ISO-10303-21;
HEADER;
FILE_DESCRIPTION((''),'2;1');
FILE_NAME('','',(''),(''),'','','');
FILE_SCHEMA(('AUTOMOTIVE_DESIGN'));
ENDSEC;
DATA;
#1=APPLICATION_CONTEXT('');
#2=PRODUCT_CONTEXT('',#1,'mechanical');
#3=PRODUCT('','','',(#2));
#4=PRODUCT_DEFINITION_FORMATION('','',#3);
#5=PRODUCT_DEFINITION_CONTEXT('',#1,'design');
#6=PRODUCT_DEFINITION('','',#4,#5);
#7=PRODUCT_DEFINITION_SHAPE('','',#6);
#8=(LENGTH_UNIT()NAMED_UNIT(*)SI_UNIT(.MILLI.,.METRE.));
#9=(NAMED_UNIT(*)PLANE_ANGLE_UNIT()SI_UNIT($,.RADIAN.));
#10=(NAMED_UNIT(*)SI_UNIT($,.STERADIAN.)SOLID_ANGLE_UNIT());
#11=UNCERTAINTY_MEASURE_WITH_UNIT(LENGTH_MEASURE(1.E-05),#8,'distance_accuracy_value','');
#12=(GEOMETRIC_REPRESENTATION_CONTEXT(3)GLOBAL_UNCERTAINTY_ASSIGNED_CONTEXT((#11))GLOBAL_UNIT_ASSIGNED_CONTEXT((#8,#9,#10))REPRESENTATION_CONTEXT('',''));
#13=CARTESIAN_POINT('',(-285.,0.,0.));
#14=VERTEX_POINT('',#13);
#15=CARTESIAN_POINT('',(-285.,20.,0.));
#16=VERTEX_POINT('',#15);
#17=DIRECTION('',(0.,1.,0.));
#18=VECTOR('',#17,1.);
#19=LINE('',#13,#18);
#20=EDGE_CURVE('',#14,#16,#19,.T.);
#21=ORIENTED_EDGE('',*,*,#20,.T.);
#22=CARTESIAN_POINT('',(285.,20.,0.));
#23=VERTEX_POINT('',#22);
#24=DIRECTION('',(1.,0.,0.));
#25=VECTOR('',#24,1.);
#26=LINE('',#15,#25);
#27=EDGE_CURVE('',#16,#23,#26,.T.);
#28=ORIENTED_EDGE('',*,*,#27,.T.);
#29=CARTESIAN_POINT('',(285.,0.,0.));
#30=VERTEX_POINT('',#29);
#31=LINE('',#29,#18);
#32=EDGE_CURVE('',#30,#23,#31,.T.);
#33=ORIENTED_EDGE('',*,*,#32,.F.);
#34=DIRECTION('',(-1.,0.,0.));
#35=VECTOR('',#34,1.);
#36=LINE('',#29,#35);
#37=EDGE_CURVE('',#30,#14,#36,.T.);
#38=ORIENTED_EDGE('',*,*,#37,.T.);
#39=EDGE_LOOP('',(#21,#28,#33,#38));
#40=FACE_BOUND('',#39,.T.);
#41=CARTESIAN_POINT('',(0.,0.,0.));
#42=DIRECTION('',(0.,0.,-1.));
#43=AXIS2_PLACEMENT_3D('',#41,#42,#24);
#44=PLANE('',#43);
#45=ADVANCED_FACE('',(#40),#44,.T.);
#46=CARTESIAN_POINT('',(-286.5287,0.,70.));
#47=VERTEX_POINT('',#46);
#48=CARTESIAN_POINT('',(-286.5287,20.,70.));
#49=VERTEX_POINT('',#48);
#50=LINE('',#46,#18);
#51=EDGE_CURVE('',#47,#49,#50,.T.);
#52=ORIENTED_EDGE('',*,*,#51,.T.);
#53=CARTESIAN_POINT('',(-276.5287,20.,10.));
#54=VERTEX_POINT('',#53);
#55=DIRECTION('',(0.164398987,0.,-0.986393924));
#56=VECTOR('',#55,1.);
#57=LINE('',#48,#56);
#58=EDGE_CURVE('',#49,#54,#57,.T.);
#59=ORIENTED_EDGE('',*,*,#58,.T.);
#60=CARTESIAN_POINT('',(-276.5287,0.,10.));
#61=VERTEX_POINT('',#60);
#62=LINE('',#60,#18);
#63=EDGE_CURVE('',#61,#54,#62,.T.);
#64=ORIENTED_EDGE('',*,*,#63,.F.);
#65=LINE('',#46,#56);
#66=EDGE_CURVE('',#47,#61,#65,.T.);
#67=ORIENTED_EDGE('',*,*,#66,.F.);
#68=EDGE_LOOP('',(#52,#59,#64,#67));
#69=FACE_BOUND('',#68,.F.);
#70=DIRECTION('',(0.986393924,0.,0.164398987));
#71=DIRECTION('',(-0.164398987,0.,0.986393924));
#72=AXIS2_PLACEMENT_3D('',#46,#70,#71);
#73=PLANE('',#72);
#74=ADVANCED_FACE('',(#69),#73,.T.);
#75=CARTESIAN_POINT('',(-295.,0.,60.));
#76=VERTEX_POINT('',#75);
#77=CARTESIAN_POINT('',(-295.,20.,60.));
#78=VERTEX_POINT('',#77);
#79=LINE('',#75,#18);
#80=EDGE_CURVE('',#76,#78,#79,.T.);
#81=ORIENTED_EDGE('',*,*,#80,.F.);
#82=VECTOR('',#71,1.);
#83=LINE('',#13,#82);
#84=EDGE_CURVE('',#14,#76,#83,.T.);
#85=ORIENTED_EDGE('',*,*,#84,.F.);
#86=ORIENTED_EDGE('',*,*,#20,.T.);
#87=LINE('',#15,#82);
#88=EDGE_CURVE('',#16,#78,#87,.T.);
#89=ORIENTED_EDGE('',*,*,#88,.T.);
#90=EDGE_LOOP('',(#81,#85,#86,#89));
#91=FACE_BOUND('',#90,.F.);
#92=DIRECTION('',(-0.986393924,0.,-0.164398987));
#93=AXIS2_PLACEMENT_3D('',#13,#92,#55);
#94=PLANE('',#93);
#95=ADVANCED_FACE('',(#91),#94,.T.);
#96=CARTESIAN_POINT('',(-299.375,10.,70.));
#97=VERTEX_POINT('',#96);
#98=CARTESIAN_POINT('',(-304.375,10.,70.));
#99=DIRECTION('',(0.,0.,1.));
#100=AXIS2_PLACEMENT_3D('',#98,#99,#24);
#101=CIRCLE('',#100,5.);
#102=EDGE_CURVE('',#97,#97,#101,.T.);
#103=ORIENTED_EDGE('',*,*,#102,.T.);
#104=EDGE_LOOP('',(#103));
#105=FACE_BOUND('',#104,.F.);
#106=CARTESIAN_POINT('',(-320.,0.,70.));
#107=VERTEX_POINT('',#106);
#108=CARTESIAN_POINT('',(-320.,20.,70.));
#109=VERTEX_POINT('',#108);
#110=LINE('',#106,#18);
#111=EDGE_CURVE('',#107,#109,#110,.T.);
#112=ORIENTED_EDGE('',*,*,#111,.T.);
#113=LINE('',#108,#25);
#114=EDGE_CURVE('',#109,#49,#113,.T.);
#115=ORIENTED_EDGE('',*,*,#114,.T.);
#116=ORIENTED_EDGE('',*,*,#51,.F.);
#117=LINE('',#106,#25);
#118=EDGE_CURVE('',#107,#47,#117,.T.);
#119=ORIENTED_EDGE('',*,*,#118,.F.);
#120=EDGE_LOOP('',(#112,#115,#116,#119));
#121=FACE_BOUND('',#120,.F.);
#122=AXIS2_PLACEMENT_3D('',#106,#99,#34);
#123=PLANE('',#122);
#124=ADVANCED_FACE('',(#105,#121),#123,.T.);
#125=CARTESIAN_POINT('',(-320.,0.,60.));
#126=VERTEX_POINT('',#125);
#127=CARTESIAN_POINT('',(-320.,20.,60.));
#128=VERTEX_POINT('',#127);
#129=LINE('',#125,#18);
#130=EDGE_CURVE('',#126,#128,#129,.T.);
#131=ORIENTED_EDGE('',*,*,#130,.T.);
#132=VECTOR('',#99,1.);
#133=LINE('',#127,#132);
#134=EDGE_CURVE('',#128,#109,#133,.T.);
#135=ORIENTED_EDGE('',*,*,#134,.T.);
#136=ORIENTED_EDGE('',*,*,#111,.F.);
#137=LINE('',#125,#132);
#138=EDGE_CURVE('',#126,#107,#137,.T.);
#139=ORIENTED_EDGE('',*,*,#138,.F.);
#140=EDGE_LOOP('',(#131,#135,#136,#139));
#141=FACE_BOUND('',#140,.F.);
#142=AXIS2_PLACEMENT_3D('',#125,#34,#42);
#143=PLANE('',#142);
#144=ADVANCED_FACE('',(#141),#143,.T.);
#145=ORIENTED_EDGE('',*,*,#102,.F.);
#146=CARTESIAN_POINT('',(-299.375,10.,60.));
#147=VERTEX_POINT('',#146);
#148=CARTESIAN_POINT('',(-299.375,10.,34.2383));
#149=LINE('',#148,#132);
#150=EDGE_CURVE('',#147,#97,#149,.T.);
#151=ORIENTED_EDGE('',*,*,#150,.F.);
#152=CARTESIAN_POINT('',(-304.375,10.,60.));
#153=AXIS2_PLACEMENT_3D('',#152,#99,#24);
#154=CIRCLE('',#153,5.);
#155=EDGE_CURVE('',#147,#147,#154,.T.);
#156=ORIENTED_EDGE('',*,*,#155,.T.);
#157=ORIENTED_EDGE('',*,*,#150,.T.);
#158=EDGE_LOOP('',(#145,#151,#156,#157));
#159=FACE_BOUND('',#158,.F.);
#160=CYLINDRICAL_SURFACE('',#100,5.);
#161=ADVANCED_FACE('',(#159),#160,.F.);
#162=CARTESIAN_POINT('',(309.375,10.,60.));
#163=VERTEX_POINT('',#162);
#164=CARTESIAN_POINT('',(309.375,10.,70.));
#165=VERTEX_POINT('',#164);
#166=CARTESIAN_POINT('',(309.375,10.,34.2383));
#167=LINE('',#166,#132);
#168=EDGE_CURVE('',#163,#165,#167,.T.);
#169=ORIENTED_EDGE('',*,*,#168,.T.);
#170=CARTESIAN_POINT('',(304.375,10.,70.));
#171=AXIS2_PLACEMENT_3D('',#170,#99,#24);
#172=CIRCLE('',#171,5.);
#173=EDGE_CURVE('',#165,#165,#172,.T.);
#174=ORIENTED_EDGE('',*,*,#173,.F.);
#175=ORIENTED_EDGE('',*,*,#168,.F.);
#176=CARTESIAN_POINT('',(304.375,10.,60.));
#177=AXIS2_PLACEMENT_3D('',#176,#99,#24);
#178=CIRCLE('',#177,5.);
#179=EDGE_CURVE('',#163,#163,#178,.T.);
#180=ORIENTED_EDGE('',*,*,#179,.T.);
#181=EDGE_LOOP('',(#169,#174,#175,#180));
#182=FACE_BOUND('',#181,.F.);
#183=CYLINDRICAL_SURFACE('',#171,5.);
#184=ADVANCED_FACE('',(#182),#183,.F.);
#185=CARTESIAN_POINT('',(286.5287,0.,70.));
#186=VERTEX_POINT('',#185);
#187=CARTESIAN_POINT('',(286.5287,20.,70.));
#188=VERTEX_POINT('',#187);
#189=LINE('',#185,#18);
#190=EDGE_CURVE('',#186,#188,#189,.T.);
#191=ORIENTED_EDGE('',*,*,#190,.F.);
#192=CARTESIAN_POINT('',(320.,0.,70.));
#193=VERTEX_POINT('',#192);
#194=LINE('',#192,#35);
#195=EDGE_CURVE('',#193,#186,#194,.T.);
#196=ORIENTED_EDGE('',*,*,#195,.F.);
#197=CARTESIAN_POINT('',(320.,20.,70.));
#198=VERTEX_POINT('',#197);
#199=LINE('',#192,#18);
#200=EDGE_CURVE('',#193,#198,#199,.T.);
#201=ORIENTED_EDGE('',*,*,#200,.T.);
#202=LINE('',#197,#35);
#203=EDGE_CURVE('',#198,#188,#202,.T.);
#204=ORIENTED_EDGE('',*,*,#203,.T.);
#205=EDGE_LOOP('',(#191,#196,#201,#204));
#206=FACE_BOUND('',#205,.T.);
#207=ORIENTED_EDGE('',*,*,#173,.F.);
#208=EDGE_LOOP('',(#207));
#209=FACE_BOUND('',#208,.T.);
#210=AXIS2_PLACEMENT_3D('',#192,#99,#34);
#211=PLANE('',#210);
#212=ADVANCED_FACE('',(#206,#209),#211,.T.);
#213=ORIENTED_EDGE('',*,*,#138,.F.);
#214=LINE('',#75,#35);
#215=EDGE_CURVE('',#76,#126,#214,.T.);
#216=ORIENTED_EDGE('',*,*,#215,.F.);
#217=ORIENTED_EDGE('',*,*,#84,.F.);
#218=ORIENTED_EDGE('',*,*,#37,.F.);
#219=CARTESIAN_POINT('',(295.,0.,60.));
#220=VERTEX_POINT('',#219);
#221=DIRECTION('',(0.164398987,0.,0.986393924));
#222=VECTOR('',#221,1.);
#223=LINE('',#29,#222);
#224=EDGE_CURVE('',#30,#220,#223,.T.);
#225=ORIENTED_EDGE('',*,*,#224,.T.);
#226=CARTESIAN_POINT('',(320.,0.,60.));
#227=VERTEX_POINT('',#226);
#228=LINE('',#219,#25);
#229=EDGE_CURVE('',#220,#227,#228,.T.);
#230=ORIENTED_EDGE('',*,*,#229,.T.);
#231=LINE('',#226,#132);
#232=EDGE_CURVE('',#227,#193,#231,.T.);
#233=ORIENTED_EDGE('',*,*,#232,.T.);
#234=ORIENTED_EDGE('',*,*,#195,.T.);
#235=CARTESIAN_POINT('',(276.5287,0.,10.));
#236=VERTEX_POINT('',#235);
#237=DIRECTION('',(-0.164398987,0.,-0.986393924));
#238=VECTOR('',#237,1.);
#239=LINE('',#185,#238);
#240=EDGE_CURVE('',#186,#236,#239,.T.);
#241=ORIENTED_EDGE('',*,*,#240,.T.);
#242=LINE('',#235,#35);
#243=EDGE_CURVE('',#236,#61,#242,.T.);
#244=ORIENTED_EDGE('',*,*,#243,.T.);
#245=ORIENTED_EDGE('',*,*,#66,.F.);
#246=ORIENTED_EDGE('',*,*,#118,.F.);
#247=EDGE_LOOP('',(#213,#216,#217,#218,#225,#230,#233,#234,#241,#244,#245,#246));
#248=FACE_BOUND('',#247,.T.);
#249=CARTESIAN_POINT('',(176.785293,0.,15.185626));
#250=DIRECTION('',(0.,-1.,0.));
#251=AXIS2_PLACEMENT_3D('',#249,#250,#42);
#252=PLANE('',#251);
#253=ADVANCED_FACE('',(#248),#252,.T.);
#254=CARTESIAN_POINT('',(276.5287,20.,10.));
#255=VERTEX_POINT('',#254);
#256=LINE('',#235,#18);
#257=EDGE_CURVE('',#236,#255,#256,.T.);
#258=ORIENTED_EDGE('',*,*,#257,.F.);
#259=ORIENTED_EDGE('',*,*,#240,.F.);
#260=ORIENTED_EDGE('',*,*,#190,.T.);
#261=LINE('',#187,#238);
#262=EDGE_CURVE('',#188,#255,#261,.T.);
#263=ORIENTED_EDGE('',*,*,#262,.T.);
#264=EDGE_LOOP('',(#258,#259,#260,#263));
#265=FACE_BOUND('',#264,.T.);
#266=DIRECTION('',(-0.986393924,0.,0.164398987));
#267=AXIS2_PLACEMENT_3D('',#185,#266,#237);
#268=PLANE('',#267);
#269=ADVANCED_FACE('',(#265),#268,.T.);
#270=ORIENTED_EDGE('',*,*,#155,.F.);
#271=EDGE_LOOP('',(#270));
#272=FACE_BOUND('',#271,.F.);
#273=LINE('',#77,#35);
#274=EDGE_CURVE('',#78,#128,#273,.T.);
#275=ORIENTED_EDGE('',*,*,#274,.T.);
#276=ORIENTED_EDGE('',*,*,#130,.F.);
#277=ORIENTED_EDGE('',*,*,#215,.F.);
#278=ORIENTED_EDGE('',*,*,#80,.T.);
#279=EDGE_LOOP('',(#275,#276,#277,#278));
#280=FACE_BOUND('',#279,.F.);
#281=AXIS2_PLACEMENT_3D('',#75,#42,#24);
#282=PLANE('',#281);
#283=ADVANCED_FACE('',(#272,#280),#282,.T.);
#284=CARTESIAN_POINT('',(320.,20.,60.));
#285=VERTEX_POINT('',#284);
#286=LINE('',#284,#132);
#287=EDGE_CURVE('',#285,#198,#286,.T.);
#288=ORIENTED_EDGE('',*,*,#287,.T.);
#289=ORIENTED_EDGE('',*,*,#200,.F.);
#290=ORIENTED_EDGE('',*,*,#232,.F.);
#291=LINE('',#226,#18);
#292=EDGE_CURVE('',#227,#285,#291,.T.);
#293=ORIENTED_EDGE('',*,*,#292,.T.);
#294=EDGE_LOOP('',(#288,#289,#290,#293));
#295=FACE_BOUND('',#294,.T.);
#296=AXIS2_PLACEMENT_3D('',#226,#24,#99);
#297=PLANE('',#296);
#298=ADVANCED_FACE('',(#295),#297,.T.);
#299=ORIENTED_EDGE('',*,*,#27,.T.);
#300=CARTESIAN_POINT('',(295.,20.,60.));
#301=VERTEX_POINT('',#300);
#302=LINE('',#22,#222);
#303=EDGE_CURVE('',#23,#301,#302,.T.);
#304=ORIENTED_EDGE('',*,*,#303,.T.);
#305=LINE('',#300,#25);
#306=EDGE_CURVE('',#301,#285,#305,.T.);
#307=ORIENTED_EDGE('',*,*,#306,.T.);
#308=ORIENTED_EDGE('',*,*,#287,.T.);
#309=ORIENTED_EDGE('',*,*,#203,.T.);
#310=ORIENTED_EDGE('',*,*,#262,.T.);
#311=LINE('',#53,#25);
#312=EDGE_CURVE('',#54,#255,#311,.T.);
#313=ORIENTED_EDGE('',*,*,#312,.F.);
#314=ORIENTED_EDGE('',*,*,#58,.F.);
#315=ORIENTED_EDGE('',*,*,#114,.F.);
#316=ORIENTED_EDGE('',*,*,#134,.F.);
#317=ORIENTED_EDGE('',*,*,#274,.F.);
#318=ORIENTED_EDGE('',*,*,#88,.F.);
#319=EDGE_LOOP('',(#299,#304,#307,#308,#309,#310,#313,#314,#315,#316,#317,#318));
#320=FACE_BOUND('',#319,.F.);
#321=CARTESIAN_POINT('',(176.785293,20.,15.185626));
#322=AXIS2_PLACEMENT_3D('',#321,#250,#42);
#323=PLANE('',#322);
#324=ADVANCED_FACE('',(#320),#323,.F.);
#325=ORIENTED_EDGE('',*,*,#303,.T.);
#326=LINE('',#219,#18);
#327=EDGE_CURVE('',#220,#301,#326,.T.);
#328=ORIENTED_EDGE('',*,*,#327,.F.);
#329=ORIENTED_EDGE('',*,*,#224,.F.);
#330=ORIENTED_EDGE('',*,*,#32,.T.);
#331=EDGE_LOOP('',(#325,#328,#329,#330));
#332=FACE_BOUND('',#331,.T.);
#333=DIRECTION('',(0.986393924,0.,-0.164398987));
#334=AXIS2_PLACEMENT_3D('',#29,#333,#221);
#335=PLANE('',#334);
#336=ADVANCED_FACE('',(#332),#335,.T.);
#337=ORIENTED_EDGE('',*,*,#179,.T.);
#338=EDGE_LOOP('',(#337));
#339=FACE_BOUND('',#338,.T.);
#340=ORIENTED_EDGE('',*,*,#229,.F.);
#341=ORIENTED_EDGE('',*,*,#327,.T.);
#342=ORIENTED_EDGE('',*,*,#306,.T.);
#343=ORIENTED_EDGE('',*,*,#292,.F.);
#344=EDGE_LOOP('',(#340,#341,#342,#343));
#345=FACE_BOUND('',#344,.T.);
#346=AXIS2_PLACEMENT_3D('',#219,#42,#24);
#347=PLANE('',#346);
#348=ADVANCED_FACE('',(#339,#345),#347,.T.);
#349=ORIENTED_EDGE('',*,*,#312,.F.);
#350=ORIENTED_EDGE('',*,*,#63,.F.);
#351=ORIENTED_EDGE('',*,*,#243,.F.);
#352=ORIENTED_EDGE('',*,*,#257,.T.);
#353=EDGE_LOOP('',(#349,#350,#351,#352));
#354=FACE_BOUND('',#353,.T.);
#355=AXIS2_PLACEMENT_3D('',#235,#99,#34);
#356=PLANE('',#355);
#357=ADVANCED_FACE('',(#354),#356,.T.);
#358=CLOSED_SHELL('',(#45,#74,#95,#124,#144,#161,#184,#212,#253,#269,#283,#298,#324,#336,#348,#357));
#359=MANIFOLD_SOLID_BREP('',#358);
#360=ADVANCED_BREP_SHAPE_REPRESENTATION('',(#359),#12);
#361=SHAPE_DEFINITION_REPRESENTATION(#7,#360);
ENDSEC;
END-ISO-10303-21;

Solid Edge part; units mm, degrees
sketch "Sketch1" plane through (0, 0, 0) normal (0, -1, 0) x (1, 0, 0)
  line L0 (285, 0) -> (295, 60)
  line L1 (295, 60) -> (320, 60)
  line L2 (320, 60) -> (320, 70)
  line L3 (320, 70) -> (286.5287, 70)
  line L4 (286.5287, 70) -> (276.5287, 10)
  line L5 (276.5287, 10) -> (0, 10)
  line L6 (0, 10) -> (0, 0)
  line L7 (0, 0) -> (285, 0)
  dimension "D1" = 10
  dimension "D2" = 10
  dimension "D3" = 10
  dimension "D4" = 60
  dimension "D5" = 10
  dimension "D6" = 25
  dimension "D7" = 320
extrude "Protrusion1" add sketch "Sketch1" against normal blind 20
mirror "Mirror1" about plane through (0, 0, 0) normal (1, 0, 0) of "Protrusion1"
sketch "Sketch2" plane through (287.9289, 10, 70) normal (0, 0, 1) x (1, 0, 0)
  circle A0 centre (-592.3039, 0) radius 5
  circle A1 centre (16.4461, 0) radius 5
  dimension "D1" = 608.75
  dimension "D2" = 304.375
extrude "ExtrudedCutout_1" cut sketch "Sketch2" against normal blind 35.7617 and the other way blind 15.9026
